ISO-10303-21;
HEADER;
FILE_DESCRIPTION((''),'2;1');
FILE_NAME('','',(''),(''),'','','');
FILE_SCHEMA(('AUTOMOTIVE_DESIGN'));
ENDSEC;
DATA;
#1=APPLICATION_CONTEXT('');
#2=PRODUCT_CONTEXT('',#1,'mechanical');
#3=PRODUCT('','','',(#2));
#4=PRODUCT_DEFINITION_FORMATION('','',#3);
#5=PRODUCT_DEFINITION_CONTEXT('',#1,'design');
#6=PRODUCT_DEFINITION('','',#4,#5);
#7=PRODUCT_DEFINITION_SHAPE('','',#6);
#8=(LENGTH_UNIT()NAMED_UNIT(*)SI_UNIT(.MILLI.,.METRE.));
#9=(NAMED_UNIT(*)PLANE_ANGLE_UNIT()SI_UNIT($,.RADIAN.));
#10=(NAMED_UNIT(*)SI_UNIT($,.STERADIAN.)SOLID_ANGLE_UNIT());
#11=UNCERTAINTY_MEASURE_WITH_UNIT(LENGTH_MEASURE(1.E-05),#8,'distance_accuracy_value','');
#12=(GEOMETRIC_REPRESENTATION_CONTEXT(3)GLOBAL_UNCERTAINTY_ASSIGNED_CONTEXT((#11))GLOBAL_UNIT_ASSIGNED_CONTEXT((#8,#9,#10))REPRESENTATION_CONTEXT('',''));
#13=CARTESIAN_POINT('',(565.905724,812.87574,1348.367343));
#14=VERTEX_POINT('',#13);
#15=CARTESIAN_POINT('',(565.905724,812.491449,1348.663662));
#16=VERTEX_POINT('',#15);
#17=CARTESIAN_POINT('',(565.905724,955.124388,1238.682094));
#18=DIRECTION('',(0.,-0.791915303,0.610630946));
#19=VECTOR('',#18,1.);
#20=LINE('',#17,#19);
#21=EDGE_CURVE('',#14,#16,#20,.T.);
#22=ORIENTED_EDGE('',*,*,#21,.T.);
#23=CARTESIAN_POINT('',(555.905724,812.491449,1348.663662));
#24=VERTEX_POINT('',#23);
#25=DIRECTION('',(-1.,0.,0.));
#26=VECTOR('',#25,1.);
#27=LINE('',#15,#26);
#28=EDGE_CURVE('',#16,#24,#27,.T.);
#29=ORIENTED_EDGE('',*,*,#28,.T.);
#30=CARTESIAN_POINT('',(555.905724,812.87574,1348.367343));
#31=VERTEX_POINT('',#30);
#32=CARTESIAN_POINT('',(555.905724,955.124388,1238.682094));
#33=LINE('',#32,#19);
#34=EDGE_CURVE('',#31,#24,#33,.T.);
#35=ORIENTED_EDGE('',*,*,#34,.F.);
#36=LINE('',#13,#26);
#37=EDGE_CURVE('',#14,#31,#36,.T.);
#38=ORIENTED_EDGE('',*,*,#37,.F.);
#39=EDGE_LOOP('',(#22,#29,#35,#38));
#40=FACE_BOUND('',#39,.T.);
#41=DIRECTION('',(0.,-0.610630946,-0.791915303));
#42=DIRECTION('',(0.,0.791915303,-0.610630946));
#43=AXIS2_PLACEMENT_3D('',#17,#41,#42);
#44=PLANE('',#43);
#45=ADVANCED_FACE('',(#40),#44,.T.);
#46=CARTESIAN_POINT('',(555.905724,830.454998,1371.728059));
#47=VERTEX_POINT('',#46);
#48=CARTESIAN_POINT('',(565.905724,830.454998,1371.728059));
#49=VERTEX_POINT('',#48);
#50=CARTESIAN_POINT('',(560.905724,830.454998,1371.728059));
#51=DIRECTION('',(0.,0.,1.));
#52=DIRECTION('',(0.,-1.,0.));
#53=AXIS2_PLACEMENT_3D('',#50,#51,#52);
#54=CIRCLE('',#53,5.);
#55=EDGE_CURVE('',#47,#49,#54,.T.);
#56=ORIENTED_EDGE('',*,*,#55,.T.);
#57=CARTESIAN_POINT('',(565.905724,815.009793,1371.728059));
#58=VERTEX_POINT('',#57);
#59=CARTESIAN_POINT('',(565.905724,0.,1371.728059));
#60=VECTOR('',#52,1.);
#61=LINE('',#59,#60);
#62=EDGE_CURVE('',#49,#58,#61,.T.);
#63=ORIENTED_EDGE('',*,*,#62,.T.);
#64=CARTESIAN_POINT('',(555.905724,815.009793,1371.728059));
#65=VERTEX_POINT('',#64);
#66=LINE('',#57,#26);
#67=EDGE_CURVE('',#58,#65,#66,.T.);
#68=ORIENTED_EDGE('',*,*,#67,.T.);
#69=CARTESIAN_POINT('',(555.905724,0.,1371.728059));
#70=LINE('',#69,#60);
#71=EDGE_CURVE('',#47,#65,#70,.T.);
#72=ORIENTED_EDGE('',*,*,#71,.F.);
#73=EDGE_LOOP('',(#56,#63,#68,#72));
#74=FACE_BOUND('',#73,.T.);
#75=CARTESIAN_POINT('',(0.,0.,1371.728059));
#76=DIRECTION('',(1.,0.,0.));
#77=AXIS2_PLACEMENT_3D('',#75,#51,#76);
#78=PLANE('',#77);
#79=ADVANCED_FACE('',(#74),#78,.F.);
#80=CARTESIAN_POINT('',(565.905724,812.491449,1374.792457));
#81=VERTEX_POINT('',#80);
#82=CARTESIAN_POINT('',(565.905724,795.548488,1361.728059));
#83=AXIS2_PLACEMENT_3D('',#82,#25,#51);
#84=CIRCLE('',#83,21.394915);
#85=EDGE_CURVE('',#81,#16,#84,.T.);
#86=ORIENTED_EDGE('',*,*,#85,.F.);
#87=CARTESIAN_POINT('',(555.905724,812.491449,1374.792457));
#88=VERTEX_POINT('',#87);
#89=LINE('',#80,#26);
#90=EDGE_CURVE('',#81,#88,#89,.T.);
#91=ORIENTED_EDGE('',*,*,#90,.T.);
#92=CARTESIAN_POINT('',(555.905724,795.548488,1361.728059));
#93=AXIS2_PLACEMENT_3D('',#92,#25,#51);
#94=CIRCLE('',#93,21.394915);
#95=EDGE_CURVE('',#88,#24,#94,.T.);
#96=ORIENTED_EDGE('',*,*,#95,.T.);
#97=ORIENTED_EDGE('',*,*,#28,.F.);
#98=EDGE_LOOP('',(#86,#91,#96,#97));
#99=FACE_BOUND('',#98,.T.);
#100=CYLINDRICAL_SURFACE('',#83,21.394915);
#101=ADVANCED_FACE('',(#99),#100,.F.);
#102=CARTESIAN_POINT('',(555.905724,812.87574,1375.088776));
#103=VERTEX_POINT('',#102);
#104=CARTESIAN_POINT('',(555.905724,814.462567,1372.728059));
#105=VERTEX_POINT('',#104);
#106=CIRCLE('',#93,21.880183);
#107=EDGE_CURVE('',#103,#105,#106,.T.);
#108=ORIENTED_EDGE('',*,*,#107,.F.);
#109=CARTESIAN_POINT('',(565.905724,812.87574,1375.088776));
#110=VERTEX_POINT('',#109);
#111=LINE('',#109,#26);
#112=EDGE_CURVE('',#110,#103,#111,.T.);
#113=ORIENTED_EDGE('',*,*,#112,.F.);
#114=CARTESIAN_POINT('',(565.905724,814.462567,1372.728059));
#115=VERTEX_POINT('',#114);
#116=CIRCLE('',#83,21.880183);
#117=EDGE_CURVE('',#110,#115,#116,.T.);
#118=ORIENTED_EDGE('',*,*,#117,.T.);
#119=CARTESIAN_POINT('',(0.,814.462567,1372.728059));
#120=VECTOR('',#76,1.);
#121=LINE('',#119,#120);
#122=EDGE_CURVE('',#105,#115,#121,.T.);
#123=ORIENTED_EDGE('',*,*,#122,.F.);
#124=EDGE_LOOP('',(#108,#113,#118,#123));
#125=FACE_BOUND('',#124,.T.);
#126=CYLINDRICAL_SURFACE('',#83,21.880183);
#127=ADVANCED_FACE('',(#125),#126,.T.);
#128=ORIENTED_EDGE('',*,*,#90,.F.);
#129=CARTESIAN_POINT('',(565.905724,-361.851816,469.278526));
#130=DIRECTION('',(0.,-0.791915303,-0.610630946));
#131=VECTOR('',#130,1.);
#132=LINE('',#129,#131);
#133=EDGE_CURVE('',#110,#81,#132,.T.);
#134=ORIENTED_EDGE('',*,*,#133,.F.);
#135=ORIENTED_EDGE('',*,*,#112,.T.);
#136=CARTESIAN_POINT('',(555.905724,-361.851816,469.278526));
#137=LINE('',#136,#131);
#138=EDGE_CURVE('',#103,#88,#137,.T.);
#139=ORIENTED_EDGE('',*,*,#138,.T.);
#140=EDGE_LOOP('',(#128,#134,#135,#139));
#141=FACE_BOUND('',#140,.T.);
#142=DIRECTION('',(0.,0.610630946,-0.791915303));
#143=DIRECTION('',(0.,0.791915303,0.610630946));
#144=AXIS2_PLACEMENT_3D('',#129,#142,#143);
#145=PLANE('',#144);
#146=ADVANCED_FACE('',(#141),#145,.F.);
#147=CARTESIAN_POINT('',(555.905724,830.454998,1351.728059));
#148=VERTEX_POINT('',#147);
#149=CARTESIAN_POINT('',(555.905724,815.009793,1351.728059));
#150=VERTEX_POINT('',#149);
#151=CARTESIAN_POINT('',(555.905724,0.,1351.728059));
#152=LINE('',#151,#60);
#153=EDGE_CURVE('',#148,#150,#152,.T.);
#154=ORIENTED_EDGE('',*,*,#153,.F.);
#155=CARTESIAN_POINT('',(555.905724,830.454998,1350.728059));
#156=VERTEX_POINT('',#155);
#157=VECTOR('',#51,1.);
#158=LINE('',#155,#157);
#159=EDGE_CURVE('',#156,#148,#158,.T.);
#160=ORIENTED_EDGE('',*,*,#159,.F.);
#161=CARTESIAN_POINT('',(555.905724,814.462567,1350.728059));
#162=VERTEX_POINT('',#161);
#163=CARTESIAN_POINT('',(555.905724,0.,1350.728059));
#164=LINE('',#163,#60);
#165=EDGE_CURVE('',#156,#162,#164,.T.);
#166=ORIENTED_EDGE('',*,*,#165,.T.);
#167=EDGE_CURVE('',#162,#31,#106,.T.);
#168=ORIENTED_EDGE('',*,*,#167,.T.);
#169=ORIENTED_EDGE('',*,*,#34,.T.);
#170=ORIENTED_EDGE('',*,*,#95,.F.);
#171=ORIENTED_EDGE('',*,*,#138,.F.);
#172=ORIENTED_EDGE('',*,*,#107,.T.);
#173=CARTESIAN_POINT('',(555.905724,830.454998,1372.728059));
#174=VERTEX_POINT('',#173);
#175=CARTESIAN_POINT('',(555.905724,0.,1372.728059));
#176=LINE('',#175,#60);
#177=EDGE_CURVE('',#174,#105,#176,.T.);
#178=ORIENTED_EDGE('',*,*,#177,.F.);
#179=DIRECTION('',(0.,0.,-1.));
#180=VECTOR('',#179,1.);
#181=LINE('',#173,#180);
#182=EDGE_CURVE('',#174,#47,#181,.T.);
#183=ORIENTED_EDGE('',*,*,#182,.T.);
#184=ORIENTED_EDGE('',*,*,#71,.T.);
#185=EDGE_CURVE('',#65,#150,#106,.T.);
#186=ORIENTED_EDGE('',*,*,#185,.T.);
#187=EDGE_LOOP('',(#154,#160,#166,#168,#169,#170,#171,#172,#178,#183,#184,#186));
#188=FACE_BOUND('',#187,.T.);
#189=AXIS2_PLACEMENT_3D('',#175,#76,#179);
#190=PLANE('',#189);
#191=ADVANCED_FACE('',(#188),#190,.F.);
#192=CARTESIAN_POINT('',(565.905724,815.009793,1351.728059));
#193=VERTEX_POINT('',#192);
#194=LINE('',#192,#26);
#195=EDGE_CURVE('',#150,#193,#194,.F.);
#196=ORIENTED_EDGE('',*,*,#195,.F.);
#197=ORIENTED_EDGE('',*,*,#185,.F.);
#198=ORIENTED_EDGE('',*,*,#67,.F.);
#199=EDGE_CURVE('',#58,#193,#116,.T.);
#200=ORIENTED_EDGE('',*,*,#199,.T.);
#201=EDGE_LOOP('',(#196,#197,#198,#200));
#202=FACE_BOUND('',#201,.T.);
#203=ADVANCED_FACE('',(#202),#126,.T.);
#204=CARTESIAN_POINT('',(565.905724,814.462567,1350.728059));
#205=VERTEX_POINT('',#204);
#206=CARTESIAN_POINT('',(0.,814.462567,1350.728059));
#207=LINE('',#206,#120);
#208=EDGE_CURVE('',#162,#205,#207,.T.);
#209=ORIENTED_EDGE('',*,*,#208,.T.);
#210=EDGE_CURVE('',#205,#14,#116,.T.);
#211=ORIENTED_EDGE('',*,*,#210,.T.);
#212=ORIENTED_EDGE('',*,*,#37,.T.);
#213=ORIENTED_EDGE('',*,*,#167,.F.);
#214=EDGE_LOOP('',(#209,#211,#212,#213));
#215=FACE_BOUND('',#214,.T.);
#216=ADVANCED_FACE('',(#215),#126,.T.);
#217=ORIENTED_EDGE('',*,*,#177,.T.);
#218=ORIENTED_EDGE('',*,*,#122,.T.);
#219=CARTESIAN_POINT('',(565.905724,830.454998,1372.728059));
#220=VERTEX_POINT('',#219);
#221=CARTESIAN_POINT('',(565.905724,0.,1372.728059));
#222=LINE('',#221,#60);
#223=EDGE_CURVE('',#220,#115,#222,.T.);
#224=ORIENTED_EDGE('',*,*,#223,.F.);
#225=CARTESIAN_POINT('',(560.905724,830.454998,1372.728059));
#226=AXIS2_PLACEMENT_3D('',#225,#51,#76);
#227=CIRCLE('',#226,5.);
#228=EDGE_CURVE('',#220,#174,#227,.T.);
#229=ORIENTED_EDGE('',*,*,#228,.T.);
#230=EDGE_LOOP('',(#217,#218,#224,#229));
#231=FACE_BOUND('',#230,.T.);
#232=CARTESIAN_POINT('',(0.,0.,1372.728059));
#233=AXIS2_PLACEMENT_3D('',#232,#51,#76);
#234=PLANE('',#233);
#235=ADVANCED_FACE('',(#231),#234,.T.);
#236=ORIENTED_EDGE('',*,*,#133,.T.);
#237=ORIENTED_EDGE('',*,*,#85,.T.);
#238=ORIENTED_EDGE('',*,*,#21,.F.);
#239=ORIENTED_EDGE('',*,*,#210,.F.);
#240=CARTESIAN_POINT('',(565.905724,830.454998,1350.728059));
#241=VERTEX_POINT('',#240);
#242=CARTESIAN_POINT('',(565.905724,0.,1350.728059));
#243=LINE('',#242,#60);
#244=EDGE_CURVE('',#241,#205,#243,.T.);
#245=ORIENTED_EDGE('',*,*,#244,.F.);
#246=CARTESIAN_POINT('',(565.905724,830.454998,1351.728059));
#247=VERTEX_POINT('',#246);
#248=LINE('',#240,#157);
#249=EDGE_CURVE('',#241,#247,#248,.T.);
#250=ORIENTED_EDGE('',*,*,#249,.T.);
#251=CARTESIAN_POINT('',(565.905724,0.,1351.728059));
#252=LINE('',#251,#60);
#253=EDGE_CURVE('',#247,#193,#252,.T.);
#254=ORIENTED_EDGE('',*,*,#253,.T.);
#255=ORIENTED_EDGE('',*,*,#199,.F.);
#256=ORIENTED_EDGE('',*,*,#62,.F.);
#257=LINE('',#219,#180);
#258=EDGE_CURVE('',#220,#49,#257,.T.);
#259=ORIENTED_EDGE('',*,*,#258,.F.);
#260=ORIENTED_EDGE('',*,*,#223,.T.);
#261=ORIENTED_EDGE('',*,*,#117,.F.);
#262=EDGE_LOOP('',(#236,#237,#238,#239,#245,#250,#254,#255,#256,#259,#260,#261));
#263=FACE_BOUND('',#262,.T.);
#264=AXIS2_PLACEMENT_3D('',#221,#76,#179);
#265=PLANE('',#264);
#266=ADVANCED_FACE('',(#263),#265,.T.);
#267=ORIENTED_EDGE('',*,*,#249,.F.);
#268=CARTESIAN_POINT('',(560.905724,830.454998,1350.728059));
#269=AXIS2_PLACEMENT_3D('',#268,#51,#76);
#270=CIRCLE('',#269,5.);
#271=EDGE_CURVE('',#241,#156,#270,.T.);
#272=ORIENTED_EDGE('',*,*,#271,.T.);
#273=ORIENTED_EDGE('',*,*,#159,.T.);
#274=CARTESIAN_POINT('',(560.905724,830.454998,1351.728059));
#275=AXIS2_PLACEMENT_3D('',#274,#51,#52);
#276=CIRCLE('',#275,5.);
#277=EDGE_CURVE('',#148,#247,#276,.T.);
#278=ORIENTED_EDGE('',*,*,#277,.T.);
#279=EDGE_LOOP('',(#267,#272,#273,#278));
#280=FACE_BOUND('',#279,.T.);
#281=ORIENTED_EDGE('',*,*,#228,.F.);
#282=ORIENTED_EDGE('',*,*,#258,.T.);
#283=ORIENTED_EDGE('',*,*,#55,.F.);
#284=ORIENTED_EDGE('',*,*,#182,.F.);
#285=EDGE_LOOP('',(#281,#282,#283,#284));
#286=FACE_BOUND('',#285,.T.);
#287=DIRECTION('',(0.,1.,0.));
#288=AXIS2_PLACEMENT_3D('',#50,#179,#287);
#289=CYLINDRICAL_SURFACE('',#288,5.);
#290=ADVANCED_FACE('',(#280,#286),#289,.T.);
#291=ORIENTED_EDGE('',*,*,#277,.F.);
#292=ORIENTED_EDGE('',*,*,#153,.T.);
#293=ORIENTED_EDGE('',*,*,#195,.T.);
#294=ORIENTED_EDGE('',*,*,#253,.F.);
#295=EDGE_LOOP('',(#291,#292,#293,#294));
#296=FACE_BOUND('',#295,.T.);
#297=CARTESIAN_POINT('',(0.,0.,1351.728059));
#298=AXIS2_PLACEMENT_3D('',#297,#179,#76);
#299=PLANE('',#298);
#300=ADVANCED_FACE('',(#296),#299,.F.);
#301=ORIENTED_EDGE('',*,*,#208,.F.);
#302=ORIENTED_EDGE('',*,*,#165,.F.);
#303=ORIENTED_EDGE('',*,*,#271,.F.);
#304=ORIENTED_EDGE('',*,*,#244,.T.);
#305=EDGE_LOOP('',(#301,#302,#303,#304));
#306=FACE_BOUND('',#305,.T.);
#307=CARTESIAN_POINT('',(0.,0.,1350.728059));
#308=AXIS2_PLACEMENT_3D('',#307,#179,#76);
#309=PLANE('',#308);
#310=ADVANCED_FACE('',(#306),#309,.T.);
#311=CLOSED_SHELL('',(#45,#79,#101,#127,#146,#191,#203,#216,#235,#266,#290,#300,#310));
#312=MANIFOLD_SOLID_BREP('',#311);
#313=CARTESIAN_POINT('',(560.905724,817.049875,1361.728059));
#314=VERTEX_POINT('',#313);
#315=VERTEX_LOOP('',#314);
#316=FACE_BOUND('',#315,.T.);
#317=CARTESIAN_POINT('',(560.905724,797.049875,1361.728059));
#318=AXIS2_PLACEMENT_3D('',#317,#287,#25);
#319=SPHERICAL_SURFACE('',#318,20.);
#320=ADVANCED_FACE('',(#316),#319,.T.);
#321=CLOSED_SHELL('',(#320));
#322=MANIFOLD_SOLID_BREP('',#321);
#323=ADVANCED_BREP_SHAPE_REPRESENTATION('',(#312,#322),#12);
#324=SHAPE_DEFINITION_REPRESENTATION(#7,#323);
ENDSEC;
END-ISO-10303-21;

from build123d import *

# Parameters (mm, degrees)
SKETCH1_R           = 5
BOSS_EXTRUDE1_DEPTH = 20
BOSS_EXTRUDE2_DEPTH = 1
BOSS_EXTRUDE3_DEPTH = 10


with BuildPart() as part:
    # Sketch1 → Boss-Extrude1 (new body)
    with BuildSketch(Plane(origin=(665.830977627, 953.986238003, 1351.728059483), x_dir=(0.9995091318087403, 0.031328827474677086, -2.5067462927792515e-15), z_dir=(0, 0, 1))):
        with Locations(Location((-108.743838074, -120.183417572, 0), (0, 0, 268.204696647))):
            Circle(SKETCH1_R)
    extrude(amount=BOSS_EXTRUDE1_DEPTH)

    # Sketch2 → Boss-Extrude2 (add)
    with BuildSketch(Plane.XY.offset(1371.728059483)):
        with BuildLine():
            ThreePointArc((565.905723999, 830.454997706), (560.905723999, 835.454997707), (555.905723998, 830.454997706))
            Line((555.905723999, 830.454997706), (565.905723999, 830.454997706))
        make_face()
        with BuildLine():
            Line((565.905723999, 830.454997706), (555.905723999, 830.454997706))
            ThreePointArc((555.905723998, 830.454997706), (560.905723999, 825.454997706), (565.905723999, 830.454997706))
        make_face()
        with BuildLine():
            ThreePointArc((565.905723999, 830.454997706), (560.905723999, 825.454997706), (555.905723998, 830.454997706))
            Line((555.905723999, 830.454997706), (555.905723999, 814.462567416))
            Line((555.905723999, 814.462567416), (565.905723999, 814.462567416))
            Line((565.905723999, 814.462567416), (565.905723999, 830.454997706))
        make_face()
    boss_extrude2 = extrude(amount=BOSS_EXTRUDE2_DEPTH)

    # Mirror1: Boss-Extrude2 across plane
    add(boss_extrude2.mirror(Plane(origin=(665.830977627, 953.986238003, 1361.728059483), x_dir=(1, 0, 0), z_dir=(0, 0, 1))))

    # Sketch3 → Boss-Extrude3 (add)
    with BuildSketch(Plane.ZY.offset(-555.905723999)):
        with BuildLine():
            Line((1348.3673427, 812.875739584), (1348.663662071, 812.491448802))
            ThreePointArc((1348.663662071, 812.491448802), (1361.728059483, 816.943403278), (1374.792456895, 812.491448802))
            Line((1374.792456895, 812.491448802), (1375.088776266, 812.875739584))
            ThreePointArc((1375.088776266, 812.875739584), (1361.728059483, 817.428670807), (1348.3673427, 812.875739584))
        make_face()
    extrude(amount=-BOSS_EXTRUDE3_DEPTH)


with BuildPart() as body_2:
    # Sketch4 → Revolve1 (revolve)
    with BuildSketch(Plane(origin=(406.564991702, 879.934433154, 1361.728059483), x_dir=(1, 0, 0), z_dir=(0, 0, 1))):
        with BuildLine():
            Line((154.340732297, -62.884558376), (154.340732298, -102.884558376))
            ThreePointArc((154.340732298, -102.884558376), (174.340732298, -82.884558375), (154.340732297, -62.884558376))
        make_face()
    revolve(axis=Axis((560.905723999, 817.049874778, 1361.728059483), (3.471667398002861e-11, -1.0, 0)))


solid = Compound([part.part, body_2.part])
